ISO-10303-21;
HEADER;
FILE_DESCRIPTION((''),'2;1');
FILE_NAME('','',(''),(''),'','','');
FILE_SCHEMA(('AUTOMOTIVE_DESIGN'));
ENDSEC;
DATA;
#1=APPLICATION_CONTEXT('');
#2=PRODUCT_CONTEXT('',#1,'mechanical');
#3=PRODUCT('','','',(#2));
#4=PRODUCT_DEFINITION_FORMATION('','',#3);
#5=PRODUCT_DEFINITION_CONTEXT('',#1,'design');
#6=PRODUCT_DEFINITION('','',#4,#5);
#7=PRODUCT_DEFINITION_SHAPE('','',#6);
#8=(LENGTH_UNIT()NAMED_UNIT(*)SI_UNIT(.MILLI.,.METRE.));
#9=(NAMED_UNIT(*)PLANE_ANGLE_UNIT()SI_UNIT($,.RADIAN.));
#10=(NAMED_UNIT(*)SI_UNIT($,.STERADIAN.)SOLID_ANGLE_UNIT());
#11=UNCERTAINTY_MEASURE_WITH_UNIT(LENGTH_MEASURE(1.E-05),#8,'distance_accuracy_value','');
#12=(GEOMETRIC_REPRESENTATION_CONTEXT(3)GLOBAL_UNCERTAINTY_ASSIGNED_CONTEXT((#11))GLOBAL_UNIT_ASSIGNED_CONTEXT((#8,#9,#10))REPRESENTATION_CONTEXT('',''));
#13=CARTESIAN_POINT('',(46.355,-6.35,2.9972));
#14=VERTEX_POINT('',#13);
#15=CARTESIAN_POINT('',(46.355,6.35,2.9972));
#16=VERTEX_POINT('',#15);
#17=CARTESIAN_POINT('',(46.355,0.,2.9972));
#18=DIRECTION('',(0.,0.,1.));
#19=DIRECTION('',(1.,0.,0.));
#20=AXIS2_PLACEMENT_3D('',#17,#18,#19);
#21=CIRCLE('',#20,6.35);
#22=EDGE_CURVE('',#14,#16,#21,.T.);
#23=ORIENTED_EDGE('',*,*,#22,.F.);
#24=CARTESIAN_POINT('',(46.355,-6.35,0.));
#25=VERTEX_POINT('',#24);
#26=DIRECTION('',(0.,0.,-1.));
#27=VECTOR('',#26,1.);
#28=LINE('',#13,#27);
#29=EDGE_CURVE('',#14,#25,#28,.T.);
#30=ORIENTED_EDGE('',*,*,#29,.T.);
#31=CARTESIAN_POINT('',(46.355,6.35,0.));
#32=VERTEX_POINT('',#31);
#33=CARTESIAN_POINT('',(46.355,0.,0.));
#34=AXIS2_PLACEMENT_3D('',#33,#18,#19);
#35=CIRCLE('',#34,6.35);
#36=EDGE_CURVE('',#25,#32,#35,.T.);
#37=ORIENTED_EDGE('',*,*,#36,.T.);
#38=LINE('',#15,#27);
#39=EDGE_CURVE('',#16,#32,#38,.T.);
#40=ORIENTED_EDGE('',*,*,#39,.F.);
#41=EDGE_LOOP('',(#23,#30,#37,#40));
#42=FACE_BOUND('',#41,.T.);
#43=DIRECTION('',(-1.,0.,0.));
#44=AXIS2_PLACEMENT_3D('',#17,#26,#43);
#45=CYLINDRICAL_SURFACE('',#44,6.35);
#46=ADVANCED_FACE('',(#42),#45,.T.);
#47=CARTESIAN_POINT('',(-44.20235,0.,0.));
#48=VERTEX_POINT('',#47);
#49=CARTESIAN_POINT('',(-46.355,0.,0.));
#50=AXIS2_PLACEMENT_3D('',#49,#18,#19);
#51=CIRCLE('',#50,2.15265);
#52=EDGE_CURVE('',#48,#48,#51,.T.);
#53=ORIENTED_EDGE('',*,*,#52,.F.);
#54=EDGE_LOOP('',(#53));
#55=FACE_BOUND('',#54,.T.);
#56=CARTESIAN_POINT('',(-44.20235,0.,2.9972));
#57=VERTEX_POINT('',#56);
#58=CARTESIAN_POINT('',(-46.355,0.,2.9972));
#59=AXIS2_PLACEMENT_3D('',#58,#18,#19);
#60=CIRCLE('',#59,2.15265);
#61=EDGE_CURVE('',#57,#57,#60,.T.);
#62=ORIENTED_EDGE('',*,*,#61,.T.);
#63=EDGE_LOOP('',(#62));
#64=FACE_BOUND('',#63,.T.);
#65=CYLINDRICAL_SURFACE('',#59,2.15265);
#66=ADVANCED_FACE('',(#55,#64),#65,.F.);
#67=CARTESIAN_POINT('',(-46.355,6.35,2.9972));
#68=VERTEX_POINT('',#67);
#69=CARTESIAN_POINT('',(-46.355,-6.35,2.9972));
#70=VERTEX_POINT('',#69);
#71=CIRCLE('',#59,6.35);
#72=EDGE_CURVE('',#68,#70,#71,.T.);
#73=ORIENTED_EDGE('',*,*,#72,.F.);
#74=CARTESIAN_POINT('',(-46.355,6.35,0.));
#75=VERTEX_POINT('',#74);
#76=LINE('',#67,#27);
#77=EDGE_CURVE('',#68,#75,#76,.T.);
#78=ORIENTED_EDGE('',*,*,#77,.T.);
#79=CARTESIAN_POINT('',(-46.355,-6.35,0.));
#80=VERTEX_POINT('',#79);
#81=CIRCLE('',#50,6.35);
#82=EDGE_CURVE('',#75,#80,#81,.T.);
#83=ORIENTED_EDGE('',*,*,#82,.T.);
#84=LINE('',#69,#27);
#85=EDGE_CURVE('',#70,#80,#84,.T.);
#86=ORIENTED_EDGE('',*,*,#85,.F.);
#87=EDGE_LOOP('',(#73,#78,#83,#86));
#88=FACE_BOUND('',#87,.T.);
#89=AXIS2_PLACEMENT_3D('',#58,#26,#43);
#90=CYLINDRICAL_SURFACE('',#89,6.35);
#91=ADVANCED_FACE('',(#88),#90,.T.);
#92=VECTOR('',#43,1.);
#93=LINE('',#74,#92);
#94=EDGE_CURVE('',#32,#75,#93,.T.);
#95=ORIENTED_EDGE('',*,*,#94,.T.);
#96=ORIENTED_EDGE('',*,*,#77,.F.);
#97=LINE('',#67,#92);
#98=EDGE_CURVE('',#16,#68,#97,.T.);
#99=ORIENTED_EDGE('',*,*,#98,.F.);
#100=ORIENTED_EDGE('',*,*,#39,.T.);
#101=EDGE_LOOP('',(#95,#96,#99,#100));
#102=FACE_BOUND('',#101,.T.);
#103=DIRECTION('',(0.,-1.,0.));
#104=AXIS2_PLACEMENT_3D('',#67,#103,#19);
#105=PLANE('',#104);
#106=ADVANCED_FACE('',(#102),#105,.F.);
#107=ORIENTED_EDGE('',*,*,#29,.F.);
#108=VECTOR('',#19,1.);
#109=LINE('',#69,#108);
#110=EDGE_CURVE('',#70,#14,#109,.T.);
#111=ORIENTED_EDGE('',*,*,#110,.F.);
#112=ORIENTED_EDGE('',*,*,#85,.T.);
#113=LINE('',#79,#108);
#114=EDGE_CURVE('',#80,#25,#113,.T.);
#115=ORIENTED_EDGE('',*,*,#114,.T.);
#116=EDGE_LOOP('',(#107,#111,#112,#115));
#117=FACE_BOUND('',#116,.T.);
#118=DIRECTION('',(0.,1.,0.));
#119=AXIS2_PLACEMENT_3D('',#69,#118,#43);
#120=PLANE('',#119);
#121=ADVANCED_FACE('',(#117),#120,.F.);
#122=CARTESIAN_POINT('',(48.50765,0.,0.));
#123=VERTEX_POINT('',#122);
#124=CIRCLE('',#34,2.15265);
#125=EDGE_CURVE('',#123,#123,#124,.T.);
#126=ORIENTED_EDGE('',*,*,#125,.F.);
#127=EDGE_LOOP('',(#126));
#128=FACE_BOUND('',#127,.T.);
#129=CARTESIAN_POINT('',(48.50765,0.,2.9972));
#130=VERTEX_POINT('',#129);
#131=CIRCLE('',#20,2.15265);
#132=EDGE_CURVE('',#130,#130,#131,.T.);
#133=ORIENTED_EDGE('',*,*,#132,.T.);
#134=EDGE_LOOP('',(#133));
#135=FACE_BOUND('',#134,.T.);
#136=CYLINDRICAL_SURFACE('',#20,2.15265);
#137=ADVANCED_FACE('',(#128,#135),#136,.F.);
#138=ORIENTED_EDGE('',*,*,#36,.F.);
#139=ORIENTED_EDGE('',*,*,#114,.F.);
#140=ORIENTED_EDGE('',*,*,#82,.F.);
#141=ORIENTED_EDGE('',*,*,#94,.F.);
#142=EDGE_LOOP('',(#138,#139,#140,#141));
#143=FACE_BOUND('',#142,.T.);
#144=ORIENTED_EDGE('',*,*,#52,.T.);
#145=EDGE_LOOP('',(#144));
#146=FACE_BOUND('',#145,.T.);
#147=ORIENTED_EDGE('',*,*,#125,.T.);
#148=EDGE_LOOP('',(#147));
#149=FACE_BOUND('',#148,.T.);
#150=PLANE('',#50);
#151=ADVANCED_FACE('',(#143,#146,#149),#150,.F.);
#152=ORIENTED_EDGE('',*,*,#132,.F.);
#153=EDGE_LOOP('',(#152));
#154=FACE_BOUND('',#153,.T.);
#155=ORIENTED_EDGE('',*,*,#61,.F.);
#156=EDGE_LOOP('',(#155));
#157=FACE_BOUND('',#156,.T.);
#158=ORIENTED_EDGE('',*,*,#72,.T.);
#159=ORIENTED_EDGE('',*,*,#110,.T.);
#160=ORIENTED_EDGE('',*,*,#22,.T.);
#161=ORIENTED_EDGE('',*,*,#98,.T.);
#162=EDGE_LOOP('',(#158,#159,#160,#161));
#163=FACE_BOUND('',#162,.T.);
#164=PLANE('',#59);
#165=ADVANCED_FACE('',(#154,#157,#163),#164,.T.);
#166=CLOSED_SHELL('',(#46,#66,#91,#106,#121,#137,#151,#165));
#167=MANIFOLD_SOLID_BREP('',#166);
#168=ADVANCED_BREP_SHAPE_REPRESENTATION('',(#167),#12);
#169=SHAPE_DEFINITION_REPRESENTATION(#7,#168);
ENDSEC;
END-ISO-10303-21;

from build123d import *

# Parameters (mm, degrees)
BOSS_EXTRUDE1_DEPTH       = 2.9972
F_8_CLEARANCE_HOLE1_D     = 4.3053
F_8_CLEARANCE_HOLE1_DEPTH = 6.351016


with BuildPart() as part:
    # Sketch1 → Boss-Extrude1 (new body)
    with BuildSketch(Plane.XY):
        with BuildLine():
            Line((-46.355, 6.35), (46.355, 6.35))
            ThreePointArc((46.355, 6.35), (52.705, 0), (46.355, -6.35))
            Line((46.355, -6.35), (-46.355, -6.35))
            ThreePointArc((-46.355, -6.35), (-52.705, 0), (-46.355, 6.35))
        make_face()
    extrude(amount=BOSS_EXTRUDE1_DEPTH)

    # #8 Clearance Hole1
    with Locations(Plane.XY.offset(2.9972)):
        with Locations((-46.355, 0), (46.355, 0)):
            Hole(F_8_CLEARANCE_HOLE1_D / 2, depth=F_8_CLEARANCE_HOLE1_DEPTH)


solid = part.part
